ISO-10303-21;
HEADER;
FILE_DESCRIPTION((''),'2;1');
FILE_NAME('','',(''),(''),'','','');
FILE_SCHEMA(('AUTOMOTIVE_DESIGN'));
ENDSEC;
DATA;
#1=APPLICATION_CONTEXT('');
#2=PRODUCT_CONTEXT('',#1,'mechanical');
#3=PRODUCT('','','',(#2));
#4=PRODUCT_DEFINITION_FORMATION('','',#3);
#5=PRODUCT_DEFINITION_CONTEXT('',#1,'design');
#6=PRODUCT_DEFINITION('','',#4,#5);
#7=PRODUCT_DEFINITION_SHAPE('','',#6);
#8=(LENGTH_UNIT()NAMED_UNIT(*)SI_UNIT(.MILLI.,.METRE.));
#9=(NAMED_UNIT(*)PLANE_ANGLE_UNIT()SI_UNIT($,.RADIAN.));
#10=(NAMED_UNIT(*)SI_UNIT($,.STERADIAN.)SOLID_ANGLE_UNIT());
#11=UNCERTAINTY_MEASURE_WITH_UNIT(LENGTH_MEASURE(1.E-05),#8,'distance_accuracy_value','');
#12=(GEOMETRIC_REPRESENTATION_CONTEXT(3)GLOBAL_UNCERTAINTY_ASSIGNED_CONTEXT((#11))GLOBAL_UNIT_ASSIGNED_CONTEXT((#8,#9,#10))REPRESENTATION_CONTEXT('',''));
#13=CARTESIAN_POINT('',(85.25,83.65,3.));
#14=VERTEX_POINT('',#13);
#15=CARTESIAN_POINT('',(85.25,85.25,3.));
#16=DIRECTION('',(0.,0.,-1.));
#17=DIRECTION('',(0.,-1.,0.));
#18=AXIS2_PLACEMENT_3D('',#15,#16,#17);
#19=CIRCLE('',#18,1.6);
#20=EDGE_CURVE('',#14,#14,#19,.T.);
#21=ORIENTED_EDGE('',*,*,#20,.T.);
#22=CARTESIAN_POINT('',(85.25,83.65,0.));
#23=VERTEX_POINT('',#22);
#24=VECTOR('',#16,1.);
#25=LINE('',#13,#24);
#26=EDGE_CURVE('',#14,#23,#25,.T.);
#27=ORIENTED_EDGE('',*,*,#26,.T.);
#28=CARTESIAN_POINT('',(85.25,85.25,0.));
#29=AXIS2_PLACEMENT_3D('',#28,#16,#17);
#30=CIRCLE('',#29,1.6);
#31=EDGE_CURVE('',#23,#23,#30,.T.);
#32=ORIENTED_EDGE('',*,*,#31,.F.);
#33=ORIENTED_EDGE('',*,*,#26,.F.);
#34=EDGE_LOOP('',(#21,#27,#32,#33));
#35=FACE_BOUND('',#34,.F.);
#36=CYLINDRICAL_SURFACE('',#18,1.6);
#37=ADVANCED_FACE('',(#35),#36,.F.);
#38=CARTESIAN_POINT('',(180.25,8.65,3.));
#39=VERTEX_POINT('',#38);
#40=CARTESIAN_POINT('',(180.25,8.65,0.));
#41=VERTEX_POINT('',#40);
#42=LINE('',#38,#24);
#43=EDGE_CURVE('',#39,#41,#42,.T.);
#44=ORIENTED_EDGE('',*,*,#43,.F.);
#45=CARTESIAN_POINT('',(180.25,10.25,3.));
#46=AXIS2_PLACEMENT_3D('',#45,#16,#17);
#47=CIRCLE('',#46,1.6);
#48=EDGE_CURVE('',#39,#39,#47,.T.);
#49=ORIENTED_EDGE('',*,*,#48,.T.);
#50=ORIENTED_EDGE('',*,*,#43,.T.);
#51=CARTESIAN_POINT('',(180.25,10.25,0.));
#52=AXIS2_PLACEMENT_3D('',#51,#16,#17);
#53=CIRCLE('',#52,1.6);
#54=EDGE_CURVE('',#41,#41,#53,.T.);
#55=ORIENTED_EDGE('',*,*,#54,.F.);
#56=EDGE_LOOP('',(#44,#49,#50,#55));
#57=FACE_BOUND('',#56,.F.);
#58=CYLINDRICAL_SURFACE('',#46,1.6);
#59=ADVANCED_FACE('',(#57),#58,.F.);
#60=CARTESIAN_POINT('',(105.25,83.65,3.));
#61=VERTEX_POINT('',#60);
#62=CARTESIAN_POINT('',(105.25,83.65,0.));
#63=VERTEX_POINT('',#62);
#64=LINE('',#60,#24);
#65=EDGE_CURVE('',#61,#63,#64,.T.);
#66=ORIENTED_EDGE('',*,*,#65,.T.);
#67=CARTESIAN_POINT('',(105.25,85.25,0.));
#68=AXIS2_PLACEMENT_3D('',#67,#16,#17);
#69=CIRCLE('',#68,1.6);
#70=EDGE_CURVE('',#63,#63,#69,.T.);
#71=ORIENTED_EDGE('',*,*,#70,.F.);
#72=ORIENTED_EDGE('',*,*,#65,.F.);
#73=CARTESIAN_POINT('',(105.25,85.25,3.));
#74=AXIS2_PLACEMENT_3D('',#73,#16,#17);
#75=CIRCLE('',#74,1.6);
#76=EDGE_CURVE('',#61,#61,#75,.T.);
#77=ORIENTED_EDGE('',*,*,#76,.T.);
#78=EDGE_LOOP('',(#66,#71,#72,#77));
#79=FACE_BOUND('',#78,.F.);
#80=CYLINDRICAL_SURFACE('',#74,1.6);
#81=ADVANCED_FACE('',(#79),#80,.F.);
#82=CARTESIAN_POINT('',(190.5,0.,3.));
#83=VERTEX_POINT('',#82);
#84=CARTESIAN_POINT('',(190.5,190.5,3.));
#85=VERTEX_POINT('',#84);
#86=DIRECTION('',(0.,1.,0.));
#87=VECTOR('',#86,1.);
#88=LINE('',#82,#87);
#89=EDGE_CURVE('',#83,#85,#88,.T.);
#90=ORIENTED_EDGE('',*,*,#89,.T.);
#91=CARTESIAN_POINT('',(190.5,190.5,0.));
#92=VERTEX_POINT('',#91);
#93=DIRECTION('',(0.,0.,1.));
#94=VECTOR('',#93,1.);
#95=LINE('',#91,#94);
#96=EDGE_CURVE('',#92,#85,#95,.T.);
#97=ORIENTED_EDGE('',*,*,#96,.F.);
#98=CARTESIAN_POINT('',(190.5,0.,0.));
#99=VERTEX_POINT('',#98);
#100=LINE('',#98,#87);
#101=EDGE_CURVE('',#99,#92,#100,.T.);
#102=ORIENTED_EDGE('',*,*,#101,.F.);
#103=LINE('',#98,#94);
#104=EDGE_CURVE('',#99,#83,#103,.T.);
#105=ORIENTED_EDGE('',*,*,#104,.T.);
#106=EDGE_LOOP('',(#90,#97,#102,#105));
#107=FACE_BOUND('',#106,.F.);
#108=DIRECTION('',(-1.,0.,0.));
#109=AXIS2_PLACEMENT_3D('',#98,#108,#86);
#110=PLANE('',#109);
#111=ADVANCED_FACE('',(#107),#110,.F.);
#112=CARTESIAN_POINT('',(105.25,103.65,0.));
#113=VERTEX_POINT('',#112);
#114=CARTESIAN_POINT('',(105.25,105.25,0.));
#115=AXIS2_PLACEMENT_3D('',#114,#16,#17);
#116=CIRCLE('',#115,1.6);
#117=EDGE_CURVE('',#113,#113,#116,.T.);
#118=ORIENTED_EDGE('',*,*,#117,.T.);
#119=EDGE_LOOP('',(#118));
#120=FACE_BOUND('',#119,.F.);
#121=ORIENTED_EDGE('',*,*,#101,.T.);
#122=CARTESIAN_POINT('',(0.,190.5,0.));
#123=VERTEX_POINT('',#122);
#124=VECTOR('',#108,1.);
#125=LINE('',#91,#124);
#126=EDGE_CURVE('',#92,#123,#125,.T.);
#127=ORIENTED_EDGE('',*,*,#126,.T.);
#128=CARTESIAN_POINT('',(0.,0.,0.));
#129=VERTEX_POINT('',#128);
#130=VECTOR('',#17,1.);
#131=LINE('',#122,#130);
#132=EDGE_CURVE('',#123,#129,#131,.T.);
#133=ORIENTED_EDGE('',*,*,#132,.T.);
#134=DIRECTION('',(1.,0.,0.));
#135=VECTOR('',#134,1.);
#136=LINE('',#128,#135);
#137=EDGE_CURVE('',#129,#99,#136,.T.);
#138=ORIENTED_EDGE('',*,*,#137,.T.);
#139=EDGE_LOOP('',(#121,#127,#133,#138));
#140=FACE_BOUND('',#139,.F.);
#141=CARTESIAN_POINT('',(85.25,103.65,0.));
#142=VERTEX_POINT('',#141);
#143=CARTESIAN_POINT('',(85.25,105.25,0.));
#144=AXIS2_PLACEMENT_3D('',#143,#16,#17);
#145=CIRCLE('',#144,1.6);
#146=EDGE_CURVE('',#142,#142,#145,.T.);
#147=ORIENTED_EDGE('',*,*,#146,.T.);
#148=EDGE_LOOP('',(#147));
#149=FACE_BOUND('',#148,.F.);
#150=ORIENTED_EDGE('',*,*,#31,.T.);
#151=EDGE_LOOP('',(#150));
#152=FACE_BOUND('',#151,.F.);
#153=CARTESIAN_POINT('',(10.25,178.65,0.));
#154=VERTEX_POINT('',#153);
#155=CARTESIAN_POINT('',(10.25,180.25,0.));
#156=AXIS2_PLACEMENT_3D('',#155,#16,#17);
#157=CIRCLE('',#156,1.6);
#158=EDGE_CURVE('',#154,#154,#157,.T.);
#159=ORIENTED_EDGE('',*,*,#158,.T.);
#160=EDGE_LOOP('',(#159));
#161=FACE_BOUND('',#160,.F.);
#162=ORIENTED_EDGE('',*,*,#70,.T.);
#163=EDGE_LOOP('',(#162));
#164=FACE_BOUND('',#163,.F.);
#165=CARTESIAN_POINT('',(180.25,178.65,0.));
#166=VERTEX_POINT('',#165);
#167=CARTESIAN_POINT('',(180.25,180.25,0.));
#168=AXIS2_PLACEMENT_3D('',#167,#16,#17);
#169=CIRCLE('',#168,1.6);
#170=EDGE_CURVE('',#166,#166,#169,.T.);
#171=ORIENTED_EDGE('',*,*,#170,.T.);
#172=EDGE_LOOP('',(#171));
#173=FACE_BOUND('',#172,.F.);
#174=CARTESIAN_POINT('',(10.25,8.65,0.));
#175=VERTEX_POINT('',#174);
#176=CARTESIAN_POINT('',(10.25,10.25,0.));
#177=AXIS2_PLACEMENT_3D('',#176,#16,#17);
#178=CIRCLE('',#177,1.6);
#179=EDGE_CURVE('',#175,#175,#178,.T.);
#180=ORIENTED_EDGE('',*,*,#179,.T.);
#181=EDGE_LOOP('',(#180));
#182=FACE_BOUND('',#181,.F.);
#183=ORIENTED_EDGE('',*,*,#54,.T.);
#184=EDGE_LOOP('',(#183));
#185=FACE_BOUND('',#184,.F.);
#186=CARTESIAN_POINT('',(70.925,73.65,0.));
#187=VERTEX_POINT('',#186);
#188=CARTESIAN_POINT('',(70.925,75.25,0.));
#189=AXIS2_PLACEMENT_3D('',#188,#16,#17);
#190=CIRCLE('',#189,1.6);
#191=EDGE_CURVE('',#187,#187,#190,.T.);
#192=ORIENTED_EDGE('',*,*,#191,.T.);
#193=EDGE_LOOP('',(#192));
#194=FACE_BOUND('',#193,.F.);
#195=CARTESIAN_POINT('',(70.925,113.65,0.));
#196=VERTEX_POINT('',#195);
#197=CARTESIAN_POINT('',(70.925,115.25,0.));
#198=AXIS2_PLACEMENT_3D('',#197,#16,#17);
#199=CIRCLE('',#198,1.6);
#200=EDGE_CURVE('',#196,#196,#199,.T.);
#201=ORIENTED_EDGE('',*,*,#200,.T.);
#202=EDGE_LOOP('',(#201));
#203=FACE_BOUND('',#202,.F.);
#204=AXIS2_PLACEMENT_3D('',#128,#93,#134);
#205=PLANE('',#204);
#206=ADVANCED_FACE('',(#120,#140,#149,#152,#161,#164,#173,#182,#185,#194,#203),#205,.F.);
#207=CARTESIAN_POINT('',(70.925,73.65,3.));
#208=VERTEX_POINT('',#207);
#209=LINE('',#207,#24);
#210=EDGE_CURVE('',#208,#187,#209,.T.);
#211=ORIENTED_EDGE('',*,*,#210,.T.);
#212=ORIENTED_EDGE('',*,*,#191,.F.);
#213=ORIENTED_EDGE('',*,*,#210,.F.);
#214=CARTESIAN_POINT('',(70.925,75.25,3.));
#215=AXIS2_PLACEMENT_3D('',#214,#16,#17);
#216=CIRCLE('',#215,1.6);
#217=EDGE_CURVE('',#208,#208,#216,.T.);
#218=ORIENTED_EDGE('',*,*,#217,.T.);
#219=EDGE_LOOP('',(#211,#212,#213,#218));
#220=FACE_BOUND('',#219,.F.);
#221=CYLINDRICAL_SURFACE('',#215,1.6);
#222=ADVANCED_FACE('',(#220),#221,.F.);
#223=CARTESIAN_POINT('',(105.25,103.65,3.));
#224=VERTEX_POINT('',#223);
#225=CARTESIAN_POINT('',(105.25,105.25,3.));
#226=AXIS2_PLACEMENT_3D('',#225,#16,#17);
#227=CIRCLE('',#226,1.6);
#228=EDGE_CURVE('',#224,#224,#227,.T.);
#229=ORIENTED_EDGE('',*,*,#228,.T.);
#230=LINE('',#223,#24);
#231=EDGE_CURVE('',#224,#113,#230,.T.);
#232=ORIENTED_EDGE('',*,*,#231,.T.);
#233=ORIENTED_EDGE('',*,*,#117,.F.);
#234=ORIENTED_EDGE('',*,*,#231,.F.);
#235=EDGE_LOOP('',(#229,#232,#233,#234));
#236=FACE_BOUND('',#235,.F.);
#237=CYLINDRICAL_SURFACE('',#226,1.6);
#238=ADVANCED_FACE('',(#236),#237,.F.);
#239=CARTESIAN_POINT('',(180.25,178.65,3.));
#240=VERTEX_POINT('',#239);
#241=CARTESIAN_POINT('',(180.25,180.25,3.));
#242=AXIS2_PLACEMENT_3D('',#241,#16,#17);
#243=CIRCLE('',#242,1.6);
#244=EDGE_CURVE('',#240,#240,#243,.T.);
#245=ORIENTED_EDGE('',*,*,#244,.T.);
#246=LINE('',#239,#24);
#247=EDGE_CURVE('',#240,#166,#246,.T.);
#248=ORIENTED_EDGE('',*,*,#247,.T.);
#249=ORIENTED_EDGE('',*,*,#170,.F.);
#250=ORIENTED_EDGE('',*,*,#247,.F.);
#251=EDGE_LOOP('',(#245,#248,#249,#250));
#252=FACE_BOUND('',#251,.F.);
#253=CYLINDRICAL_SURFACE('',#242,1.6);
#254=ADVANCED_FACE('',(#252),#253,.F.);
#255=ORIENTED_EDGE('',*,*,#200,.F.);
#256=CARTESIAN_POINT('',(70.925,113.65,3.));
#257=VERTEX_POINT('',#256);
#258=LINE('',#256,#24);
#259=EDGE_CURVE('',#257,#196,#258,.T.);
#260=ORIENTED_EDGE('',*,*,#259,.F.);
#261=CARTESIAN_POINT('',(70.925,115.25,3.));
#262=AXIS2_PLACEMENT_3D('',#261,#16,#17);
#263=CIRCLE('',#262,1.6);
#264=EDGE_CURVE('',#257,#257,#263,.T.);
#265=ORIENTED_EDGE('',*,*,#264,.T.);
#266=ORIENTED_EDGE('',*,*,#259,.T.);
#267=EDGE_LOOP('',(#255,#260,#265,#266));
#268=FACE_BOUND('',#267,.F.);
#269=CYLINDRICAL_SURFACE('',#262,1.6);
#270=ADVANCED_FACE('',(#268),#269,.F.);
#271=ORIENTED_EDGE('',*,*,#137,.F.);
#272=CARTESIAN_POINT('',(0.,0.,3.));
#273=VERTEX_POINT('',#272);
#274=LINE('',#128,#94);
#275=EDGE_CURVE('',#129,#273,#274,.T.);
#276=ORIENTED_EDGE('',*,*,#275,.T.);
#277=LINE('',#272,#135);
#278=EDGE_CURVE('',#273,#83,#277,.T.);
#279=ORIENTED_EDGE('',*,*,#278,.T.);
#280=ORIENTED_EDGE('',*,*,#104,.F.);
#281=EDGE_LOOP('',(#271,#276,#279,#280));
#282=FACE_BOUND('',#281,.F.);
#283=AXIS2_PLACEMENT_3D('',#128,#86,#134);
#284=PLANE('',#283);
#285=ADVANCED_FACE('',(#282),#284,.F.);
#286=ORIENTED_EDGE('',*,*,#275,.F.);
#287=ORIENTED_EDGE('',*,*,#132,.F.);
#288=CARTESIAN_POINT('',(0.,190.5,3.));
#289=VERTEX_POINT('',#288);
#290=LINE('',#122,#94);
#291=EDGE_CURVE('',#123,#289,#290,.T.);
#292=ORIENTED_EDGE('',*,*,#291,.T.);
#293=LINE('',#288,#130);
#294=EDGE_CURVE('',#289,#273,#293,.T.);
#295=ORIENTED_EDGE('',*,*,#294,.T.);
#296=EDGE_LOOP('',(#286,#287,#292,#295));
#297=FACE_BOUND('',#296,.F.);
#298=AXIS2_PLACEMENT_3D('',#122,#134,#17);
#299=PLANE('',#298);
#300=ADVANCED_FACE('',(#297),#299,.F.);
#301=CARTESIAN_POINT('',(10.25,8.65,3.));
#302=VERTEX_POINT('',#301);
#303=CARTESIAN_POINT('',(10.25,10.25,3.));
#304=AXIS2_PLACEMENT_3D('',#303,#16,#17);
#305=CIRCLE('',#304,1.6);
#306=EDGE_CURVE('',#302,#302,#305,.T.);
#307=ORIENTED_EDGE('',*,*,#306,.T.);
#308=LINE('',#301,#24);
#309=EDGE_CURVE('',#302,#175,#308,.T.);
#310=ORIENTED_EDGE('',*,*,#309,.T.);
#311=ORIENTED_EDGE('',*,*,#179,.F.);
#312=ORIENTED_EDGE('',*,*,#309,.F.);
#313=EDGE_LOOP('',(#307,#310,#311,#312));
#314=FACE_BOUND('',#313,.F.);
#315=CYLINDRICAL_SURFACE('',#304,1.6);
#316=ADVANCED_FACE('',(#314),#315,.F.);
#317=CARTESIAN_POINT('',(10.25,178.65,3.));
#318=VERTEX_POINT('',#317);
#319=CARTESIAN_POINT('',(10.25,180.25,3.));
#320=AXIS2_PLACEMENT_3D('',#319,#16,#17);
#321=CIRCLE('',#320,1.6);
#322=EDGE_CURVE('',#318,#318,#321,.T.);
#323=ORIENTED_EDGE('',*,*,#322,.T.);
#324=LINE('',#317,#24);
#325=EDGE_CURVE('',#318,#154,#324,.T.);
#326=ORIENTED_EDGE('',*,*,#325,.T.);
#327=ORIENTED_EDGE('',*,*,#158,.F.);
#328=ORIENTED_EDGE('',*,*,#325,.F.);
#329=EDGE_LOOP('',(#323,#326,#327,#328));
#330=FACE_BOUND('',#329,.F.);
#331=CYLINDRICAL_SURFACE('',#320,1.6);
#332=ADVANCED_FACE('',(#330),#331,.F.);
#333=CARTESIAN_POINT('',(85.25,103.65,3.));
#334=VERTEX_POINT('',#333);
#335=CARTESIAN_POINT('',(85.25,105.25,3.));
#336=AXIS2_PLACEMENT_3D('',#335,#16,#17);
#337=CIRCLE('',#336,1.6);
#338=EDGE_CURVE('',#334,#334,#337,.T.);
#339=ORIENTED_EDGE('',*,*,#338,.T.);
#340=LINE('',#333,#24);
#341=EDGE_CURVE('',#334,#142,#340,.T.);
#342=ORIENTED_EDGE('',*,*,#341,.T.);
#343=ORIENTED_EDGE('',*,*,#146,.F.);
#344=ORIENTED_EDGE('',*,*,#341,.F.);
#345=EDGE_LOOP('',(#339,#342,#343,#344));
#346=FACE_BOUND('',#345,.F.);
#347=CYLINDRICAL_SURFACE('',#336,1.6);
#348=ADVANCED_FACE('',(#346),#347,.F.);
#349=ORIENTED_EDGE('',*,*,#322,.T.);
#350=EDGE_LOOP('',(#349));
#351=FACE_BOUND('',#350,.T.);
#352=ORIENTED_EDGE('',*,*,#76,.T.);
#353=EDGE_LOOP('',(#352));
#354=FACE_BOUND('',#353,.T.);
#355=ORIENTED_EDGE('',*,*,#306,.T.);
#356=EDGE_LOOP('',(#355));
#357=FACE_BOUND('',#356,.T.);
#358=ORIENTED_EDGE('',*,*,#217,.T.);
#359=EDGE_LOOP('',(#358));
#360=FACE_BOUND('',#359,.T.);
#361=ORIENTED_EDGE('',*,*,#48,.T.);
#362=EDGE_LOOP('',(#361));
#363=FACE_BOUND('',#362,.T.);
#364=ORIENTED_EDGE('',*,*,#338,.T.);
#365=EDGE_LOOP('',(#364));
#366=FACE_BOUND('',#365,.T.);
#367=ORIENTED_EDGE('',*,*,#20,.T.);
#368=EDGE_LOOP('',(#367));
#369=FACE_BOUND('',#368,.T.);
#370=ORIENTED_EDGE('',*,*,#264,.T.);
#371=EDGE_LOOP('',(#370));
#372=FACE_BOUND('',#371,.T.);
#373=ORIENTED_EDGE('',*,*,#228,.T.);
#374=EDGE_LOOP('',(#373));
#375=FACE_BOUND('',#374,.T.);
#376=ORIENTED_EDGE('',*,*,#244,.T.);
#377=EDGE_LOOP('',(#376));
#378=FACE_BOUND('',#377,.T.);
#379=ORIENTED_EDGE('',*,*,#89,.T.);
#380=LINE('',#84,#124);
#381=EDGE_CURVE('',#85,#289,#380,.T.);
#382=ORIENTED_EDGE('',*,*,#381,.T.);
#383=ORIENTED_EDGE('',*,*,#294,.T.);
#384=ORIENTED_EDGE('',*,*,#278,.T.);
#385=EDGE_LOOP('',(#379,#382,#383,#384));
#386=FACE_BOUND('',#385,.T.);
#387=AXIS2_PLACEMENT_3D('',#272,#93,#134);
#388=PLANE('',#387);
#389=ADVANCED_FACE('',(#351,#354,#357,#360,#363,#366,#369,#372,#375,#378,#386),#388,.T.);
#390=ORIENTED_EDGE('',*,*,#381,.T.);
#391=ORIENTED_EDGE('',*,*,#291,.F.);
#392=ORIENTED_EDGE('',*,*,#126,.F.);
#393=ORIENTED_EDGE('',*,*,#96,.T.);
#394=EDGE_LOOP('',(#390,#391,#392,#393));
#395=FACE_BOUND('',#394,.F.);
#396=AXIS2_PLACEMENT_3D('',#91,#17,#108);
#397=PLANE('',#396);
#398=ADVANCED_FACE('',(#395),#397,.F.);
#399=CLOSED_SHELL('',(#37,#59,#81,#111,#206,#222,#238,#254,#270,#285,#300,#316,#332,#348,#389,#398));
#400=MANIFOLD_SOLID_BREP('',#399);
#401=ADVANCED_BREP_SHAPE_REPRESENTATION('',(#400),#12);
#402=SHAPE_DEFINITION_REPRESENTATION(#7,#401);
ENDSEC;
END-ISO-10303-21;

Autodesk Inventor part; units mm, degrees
ref_plane "YZ Plane" through (0, 0, 0) normal (1, 0, 0) x (0, 1, 0)
ref_plane "XZ Plane" through (0, 0, 0) normal (0, 1, 0) x (-1, 0, 0)
ref_plane "XY Plane" through (0, 0, 0) normal (0, 0, 1) x (1, 0, 0)
sketch "Sketch1" plane through (0, 0, 0) normal (0, 0, 1) x (1, 0, 0)
  line L0 (0, 0) -> (190.5, 0)
  line L1 (190.5, 0) -> (190.5, 190.5)
  line L2 (190.5, 190.5) -> (0, 190.5)
  line L3 (0, 190.5) -> (0, 0)
  dimension "d0" = 190.5
  dimension "d1" = 190.5
extrude "Extrusion1" add sketch "Sketch1" along normal blind 3
ref_plane "Work Plane1" through (0, 95.25, 0) normal (0, 1, 0) x (1, 0, 0)
sketch "Sketch2" plane through (0, 0, 3) normal (0, 0, 1) x (1, 0, 0)
  line L0 (0, 190.5) -> (0, 0) projected
  line L1 (190.5, 0) -> (190.5, 190.5) projected
  line L2 (0, 0) -> (190.5, 0) projected
  line L3 (190.5, 190.5) -> (0, 190.5) projected
  line L4 (32.6, 104.25) -> (56.6, 104.25) construction
  line L5 (133.9, 104.25) -> (157.9, 104.25) construction
  line L6 (85.25, 105.25) -> (105.25, 105.25) construction
  line L7 (105.25, 105.25) -> (105.25, 85.25) construction
  line L8 (105.25, 85.25) -> (85.25, 85.25) construction
  line L9 (85.25, 85.25) -> (85.25, 105.25) construction
  line L10 (70.925, 115.25) -> (70.925, 75.25) construction
  point P0 (10.25, 180.25)
  point P1 (180.25, 180.25)
  point P2 (180.25, 10.25)
  point P3 (10.25, 10.25)
  point P4 (32.6, 86.25)
  point P5 (56.6, 86.25)
  point P6 (133.9, 86.25)
  point P7 (157.9, 86.25)
  point P8 (44.6, 104.25)
  point P9 (145.9, 104.25)
  point P10 (95.25, 105.25)
  point P11 (95.25, 190.5)
  point P12 (105.25, 95.25)
  point P13 (190.5, 95.25)
  point P14 (70.925, 95.25)
  point P15 (0, 95.25)
  dimension "d4" = 170
  dimension "d5" = 170
  dimension "d6" = 10.25
  dimension "d7" = 10.25
  dimension "d8" = 10.25
  dimension "d9" = 10.25
  dimension "d17" = 24
  dimension "d18" = 18
  dimension "d19" = 18
  dimension "d20" = 24
  dimension "d21" = 101.3
  dimension "d22" = 32.6
  dimension "d23" = 32.6
  dimension "d24" = 86.25
  dimension "d25" = 86.25
  dimension "d33" = 20
  dimension "d34" = 40
  dimension "d35" = 14.325
  dimension "d36" = 14.325
hole "Hole1" at (10.25, 180.25, 3) at (180.25, 180.25, 3) at (180.25, 10.25, 3) at (10.25, 10.25, 3) at (85.25, 105.25, 3) at (105.25, 105.25, 3) at (105.25, 85.25, 3) at (85.25, 85.25, 3) at (70.925, 115.25, 3) at (70.925, 75.25, 3) direction (0, 0, -1) diameter 3.2 end through all
equation "\"d5\" = d4"
equation "\"d6\" = d7"
equation "\"d8\" = d9"
equation "\"d19\" = d18"
equation "\"d20\" = d17"
equation "\"d22\" = d23"
equation "\"d24\" = d25"
equation "\"d35\" = d36"
properties part number "print bed base"
